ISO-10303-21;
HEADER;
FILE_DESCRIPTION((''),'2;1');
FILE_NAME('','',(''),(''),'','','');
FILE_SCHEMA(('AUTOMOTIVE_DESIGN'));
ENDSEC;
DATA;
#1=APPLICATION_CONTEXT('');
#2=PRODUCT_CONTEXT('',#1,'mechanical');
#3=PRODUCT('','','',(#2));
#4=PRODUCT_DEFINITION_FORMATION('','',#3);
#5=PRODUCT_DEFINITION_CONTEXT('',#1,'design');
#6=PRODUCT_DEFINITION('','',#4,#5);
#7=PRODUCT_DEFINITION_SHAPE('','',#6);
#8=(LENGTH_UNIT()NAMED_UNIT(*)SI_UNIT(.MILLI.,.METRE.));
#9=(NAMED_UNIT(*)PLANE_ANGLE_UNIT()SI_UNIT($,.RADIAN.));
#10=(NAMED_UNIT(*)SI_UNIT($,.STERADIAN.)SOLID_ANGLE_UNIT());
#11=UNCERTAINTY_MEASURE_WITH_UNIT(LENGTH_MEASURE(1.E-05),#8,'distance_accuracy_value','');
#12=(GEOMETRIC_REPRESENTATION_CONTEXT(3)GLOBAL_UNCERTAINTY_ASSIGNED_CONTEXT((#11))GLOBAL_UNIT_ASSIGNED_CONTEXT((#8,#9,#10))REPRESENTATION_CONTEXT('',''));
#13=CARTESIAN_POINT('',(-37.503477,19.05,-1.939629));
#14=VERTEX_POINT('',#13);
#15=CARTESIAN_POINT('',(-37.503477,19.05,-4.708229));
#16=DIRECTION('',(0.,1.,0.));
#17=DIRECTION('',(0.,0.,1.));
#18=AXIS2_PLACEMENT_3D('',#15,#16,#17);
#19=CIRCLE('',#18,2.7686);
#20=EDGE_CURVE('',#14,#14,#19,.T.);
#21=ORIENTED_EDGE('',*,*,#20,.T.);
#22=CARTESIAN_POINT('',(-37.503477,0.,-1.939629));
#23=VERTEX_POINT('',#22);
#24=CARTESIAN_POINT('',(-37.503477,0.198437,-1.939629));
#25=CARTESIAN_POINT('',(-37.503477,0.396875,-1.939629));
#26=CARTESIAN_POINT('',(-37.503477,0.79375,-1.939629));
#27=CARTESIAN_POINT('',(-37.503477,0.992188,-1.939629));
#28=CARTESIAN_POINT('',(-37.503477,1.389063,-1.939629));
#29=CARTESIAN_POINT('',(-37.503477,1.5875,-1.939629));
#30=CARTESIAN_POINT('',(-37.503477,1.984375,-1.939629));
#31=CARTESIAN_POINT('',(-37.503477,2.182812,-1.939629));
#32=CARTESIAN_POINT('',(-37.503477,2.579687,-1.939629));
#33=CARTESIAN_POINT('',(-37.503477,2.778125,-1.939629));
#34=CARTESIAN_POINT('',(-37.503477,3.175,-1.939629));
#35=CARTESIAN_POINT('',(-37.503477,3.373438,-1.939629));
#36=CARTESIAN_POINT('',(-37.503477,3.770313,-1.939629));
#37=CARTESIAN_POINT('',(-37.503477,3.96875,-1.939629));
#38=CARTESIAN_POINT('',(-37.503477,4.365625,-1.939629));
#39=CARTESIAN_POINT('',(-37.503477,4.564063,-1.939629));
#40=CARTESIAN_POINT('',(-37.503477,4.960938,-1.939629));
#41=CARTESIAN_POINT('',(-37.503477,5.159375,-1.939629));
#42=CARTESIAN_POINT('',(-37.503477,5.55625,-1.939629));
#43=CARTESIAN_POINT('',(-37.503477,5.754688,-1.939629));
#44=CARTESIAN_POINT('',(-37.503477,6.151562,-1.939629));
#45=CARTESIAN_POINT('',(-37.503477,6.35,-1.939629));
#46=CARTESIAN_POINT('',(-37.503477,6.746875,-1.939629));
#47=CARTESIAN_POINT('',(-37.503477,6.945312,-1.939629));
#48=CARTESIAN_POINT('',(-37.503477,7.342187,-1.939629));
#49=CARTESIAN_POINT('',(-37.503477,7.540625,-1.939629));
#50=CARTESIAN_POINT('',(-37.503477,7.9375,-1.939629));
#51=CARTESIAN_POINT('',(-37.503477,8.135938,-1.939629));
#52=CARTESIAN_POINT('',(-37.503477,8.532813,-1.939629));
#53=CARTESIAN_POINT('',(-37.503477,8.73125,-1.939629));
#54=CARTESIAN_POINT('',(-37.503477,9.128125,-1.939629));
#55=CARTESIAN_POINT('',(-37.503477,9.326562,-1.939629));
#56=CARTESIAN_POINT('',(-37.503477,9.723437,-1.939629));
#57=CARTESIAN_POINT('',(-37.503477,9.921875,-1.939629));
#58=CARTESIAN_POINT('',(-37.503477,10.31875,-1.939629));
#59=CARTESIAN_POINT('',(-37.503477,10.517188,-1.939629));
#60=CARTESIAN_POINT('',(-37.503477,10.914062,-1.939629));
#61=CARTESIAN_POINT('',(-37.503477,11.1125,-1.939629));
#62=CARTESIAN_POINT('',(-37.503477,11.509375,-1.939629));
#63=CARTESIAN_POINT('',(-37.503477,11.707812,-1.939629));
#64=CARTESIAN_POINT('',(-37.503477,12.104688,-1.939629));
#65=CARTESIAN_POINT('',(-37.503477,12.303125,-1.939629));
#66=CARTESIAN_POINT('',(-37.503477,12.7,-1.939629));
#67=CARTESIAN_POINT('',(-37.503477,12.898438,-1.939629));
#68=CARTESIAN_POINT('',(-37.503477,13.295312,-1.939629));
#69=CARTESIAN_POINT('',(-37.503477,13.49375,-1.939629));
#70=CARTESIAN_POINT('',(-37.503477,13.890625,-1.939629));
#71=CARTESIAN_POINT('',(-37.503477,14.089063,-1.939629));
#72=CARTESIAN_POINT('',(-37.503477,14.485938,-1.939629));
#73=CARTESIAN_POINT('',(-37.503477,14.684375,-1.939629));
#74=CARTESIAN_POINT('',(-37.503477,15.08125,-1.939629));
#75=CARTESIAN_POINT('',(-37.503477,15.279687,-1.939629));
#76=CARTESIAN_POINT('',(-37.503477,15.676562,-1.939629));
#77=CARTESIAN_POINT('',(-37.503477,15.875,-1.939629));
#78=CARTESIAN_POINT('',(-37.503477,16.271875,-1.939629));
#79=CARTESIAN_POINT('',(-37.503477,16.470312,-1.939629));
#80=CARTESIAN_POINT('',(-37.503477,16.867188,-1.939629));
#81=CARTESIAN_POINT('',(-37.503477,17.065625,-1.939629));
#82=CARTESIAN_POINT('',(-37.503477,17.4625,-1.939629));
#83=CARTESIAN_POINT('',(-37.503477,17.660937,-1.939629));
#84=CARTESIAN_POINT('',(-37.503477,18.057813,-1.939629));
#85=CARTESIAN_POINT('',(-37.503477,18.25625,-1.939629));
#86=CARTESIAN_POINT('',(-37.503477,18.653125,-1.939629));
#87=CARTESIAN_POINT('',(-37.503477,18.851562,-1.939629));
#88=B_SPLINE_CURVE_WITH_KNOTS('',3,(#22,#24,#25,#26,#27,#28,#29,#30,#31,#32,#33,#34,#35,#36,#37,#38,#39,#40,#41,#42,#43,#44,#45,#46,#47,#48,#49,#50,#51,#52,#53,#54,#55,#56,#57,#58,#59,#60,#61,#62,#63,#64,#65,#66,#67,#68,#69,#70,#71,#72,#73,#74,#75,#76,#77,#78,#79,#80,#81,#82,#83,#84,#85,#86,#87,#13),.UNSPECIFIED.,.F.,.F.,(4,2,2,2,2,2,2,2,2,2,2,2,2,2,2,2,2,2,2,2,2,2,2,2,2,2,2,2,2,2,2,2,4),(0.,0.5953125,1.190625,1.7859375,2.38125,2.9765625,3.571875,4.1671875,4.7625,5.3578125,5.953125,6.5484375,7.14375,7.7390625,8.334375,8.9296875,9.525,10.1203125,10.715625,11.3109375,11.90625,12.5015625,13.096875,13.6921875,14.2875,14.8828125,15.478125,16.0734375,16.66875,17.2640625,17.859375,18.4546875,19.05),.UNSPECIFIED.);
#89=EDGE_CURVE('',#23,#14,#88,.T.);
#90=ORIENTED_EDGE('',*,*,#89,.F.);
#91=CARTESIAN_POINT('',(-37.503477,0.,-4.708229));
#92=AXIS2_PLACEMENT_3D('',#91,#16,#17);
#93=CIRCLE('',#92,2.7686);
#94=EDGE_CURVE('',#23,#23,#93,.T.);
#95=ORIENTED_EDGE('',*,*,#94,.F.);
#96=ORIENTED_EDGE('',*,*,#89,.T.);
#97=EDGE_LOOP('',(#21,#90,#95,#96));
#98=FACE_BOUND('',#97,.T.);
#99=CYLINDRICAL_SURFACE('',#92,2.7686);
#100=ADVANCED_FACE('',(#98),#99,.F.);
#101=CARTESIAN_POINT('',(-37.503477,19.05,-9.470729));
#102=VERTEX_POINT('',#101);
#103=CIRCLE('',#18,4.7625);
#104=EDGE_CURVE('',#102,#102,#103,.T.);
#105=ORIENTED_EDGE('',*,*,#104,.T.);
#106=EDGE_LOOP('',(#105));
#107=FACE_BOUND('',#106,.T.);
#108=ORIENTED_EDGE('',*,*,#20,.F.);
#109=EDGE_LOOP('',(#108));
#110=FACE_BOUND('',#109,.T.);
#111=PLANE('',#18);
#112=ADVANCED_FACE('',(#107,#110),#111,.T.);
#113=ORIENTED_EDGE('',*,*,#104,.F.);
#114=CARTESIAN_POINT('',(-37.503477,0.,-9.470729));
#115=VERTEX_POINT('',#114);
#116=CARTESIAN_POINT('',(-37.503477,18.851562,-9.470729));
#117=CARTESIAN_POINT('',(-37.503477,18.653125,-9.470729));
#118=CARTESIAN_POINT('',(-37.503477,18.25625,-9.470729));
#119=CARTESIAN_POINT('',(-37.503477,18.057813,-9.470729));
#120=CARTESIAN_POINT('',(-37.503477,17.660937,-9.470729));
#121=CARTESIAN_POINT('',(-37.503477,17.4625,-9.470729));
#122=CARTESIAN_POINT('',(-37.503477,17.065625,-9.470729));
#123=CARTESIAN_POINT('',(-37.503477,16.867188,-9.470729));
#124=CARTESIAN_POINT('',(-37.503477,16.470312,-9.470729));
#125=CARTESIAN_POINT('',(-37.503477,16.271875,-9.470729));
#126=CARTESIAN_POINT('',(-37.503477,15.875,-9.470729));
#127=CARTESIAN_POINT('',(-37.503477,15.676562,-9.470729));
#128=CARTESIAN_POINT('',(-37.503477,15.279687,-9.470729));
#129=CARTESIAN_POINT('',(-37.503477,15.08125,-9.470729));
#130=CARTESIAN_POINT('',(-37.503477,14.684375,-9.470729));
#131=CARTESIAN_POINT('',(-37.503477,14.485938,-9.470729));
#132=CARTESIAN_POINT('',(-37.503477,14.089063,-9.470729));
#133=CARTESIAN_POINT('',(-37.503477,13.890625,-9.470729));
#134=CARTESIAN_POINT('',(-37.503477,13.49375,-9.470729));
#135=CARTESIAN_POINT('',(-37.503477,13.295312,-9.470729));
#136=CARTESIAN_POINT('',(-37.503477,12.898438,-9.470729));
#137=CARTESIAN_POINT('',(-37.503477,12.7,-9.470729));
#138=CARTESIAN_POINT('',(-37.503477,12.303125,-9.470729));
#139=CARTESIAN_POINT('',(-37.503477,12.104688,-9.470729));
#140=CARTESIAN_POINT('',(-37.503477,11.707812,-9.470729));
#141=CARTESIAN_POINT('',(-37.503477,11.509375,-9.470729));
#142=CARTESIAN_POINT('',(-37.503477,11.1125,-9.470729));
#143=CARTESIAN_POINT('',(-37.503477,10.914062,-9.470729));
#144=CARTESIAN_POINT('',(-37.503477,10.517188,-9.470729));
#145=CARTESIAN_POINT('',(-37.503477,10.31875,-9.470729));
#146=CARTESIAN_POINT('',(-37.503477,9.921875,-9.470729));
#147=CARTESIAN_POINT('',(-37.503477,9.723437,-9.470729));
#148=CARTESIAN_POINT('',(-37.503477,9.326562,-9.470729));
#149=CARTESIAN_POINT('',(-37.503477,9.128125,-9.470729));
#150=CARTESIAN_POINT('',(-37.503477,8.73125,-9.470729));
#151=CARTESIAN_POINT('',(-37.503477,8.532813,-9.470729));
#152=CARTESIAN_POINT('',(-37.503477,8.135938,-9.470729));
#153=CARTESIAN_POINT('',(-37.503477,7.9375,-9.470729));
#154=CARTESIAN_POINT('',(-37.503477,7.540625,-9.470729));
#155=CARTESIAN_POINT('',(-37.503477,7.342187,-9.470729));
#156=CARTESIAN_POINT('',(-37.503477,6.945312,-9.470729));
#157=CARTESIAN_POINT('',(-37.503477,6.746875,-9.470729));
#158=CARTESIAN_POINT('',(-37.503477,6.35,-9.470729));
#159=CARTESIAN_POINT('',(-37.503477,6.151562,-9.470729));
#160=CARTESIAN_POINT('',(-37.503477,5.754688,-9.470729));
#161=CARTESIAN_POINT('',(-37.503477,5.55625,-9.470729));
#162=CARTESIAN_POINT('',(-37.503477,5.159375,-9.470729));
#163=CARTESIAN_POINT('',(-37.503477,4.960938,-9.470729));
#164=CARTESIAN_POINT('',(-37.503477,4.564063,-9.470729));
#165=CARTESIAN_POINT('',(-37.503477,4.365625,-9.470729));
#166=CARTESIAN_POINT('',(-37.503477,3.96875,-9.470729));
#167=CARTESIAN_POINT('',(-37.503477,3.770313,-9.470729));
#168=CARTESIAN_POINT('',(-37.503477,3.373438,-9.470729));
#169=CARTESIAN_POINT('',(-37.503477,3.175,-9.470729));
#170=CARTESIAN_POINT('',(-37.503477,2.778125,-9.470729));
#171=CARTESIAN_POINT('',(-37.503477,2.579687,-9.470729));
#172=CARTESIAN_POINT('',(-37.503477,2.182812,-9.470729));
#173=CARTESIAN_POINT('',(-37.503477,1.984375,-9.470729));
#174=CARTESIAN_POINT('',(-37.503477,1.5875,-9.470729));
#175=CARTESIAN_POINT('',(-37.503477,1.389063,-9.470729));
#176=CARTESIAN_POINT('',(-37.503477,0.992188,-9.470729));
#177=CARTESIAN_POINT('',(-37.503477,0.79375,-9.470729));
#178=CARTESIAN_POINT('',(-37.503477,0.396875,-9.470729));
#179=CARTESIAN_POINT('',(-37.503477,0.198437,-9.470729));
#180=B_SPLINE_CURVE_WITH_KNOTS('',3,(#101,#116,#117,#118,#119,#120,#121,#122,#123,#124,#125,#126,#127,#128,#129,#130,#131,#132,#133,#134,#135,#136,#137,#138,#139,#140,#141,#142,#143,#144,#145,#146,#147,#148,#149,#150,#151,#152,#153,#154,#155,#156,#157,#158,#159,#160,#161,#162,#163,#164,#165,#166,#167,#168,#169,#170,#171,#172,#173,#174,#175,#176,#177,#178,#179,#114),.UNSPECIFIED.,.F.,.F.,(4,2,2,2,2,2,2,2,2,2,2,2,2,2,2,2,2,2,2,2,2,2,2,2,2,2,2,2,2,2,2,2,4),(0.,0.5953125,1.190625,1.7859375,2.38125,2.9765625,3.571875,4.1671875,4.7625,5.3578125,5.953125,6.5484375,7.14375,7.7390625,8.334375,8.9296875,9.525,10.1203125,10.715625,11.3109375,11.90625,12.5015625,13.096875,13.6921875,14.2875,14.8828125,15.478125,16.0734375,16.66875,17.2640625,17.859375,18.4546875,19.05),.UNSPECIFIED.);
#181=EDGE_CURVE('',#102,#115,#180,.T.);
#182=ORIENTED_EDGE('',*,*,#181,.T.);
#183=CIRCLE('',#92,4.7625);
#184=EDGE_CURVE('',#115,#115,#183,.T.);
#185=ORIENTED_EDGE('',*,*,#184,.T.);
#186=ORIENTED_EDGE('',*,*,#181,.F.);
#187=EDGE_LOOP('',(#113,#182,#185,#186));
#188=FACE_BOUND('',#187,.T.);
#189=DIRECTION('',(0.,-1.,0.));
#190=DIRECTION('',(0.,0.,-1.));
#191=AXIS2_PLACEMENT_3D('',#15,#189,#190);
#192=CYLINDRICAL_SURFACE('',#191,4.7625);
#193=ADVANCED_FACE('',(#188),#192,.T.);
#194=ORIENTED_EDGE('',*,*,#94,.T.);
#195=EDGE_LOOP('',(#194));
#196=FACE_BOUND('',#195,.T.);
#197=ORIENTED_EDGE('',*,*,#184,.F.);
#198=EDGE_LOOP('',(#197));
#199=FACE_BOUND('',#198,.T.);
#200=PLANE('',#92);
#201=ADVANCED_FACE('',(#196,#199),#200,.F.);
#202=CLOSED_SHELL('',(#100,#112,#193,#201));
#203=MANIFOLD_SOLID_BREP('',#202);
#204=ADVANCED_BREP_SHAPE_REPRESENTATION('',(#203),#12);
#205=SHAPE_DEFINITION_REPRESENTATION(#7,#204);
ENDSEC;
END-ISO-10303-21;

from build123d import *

# Parameters (mm, degrees)
SKETCH1_R           = 4.7625
BOSS_EXTRUDE1_DEPTH = 19.05
SKETCH2_R           = 2.7686
CUT_EXTRUDE1_DEPTH  = 19.05


with BuildPart() as part:
    # Sketch1 → Boss-Extrude1 (new body)
    with BuildSketch(Plane(origin=(0, 0, 0), x_dir=(1, 0, 0), z_dir=(0, 1, 0))):
        with Locations(Location((-37.503476793, 4.708228688, 0), (0, 0, 90))):
            Circle(SKETCH1_R)
    extrude(amount=BOSS_EXTRUDE1_DEPTH)

    # Sketch2 → Cut-Extrude1 (cut)
    with BuildSketch(Plane(origin=(0, 19.05, 0), x_dir=(1, 0, 0), z_dir=(0, 1, 0))):
        with Locations(Location((-37.503476793, 4.708228688, 0), (0, 0, 270))):
            Circle(SKETCH2_R)
    extrude(amount=-CUT_EXTRUDE1_DEPTH, mode=Mode.SUBTRACT)


solid = part.part
